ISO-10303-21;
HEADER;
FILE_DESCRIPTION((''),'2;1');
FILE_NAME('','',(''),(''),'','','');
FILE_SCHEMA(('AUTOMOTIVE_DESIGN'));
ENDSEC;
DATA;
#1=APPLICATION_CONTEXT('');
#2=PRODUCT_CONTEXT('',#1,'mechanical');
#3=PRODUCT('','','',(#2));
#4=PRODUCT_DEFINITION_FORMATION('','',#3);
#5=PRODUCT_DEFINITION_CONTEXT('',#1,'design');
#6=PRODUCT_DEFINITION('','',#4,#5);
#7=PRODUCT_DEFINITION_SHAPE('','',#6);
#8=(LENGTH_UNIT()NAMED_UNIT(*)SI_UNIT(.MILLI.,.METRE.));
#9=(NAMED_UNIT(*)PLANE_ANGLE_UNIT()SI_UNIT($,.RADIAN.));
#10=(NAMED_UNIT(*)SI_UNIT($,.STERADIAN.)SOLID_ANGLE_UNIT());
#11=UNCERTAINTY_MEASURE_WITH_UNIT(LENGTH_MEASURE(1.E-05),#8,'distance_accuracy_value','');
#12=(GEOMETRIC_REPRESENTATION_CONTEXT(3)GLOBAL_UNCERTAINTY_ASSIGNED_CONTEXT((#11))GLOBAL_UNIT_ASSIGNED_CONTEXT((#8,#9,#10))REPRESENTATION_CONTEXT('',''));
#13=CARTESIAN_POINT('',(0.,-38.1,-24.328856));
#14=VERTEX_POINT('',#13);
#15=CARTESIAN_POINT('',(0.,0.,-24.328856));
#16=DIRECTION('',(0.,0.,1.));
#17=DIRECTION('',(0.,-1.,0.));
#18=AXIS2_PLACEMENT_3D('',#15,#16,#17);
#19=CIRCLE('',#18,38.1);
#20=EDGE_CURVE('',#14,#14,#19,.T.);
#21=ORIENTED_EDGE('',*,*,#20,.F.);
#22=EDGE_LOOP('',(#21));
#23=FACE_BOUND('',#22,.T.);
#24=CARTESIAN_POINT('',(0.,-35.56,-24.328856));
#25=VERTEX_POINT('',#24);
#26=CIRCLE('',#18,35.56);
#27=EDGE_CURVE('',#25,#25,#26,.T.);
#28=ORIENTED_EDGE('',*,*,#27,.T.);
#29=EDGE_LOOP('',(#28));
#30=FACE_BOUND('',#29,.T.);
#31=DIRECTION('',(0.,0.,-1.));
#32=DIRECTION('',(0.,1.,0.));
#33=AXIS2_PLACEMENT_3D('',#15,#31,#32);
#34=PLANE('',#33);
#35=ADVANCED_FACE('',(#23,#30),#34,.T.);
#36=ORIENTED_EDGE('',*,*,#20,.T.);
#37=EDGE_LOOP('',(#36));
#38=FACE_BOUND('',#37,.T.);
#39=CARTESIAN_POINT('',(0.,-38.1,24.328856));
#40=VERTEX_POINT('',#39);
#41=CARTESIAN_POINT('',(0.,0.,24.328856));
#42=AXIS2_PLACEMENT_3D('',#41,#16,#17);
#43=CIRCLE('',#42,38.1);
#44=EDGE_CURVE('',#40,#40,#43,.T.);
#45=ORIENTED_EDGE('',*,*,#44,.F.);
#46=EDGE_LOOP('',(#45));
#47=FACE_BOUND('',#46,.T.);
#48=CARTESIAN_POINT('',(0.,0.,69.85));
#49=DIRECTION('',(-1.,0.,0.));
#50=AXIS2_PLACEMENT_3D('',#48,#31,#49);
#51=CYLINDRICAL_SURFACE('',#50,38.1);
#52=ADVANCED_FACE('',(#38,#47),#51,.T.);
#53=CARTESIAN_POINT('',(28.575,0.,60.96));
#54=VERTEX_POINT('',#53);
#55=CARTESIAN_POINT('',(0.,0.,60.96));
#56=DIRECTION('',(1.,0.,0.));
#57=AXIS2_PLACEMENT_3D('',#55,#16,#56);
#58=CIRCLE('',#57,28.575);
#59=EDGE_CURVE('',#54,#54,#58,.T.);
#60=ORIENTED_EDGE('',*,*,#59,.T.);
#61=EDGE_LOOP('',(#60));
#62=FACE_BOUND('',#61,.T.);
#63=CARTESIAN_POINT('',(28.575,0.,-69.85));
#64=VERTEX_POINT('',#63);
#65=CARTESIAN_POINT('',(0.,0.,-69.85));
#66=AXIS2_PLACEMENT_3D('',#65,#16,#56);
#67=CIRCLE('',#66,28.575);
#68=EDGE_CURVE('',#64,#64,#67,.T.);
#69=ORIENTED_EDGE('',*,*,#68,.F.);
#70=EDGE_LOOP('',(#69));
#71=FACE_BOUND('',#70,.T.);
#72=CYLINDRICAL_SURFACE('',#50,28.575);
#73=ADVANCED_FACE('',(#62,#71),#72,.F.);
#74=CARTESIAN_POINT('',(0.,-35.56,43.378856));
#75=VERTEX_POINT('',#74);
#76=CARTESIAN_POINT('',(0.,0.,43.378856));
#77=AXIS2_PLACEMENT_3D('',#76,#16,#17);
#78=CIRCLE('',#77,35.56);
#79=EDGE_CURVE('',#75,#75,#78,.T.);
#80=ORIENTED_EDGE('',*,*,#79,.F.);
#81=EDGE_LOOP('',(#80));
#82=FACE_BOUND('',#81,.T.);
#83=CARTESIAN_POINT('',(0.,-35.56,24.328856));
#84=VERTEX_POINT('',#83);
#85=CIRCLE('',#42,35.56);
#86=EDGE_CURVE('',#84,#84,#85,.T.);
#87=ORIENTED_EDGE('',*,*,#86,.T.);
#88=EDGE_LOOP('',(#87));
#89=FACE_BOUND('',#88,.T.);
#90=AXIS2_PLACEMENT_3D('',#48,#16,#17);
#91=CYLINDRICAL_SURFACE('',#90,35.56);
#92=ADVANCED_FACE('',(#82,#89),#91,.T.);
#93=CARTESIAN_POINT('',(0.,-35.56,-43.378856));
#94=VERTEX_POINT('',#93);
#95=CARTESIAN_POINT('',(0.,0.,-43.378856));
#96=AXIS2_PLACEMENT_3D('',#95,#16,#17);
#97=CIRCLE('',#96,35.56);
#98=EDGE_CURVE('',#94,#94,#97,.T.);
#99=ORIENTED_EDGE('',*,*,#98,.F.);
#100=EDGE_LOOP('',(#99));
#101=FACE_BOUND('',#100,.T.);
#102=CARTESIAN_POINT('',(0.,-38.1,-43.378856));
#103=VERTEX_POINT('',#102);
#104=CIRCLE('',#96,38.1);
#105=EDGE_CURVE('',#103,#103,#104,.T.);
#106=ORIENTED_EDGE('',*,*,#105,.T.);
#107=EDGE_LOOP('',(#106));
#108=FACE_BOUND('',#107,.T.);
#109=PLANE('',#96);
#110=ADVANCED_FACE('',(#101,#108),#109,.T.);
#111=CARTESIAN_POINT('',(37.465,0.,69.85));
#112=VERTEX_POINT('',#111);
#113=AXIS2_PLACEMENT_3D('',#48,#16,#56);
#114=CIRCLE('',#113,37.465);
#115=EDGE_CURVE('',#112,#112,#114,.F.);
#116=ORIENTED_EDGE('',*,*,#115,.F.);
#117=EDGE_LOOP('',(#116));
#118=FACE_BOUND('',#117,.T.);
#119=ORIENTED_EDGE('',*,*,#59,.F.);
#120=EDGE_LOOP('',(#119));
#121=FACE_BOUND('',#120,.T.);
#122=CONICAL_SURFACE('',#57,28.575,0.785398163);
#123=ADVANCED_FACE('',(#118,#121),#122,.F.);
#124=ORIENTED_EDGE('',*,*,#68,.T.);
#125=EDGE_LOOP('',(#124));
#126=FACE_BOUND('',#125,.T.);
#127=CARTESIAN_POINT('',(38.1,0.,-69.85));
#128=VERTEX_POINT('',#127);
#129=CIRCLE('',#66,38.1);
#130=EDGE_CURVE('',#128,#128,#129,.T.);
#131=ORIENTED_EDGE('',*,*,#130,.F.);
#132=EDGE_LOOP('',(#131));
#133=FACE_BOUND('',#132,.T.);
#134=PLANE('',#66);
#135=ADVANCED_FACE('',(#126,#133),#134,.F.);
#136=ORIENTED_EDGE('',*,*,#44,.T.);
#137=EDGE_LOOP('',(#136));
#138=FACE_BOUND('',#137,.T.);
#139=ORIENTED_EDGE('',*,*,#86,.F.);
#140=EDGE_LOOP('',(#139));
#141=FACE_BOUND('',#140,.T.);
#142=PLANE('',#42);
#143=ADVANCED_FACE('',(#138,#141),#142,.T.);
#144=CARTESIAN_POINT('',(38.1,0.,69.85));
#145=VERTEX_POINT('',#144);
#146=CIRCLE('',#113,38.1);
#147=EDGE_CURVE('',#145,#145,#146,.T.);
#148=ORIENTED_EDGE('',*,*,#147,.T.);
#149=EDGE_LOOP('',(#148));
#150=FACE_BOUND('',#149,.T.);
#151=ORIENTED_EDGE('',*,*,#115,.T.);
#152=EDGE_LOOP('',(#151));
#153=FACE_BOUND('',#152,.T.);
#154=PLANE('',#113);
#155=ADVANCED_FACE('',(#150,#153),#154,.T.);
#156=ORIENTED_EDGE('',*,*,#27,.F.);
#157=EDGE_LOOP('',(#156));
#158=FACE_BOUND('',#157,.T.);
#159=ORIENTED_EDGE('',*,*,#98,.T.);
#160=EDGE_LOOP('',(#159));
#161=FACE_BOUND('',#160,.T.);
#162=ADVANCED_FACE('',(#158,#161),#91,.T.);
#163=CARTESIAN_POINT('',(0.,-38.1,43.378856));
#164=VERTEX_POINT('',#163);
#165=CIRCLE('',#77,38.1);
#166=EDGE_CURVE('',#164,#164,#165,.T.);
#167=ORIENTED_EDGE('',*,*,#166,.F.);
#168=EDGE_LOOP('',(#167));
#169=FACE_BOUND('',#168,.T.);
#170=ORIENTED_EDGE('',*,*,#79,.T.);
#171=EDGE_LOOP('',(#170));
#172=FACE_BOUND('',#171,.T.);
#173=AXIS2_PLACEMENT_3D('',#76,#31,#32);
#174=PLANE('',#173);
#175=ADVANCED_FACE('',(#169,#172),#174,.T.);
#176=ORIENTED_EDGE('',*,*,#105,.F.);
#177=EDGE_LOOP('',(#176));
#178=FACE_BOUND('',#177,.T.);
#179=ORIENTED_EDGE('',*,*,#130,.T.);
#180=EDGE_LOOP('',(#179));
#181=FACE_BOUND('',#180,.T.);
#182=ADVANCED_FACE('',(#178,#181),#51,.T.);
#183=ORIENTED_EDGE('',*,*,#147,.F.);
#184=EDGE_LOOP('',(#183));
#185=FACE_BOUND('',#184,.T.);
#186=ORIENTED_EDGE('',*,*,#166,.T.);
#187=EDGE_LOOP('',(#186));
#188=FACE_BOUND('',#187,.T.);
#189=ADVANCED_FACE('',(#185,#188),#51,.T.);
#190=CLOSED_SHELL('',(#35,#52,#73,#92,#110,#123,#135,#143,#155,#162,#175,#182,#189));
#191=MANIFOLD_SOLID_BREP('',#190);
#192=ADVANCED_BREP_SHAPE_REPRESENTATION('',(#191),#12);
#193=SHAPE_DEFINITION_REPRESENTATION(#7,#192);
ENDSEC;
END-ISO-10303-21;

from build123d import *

# Parameters (mm, degrees)
SKETCH3_R           = 38.1
SKETCH3_R_2         = 28.575
BOSS_EXTRUDE1_DEPTH = 69.85
SKETCH4_W           = 19.05
SKETCH4_H           = 2.54
CHAMFER1_SIZE       = 8.89


with BuildPart() as part:
    # Sketch3 → Boss-Extrude1 (new, symmetric)
    with BuildSketch(Plane.XY):
        Circle(SKETCH3_R)
        Circle(SKETCH3_R_2, mode=Mode.SUBTRACT)
    extrude(amount=BOSS_EXTRUDE1_DEPTH, both=True)

    # Sketch4 → Cut-Revolve1 (revolve, cut)
    with BuildSketch(Plane(origin=(0, 0, 0), x_dir=(0, 0, -1), z_dir=(1, 0, 0)), mode=Mode.PRIVATE) as cut_revolve1_sk:
        with Locations((-33.853856194, 36.83)):
            Rectangle(SKETCH4_W, SKETCH4_H)
        with Locations((33.853856194, 36.83)):
            Rectangle(SKETCH4_W, SKETCH4_H)
    revolve(cut_revolve1_sk.sketch.rotate(Axis((0, 0, 69.85), (0, 0, -1)), 180), axis=Axis((0, 0, 69.85), (0, 0, -1)), mode=Mode.SUBTRACT)

    # Chamfer1
    chamfer1_edges = [part.edges().sort_by_distance(p)[0] for p in [
        (-28.575, 0, 69.85),
    ]]
    chamfer(chamfer1_edges, length=CHAMFER1_SIZE)


solid = part.part
